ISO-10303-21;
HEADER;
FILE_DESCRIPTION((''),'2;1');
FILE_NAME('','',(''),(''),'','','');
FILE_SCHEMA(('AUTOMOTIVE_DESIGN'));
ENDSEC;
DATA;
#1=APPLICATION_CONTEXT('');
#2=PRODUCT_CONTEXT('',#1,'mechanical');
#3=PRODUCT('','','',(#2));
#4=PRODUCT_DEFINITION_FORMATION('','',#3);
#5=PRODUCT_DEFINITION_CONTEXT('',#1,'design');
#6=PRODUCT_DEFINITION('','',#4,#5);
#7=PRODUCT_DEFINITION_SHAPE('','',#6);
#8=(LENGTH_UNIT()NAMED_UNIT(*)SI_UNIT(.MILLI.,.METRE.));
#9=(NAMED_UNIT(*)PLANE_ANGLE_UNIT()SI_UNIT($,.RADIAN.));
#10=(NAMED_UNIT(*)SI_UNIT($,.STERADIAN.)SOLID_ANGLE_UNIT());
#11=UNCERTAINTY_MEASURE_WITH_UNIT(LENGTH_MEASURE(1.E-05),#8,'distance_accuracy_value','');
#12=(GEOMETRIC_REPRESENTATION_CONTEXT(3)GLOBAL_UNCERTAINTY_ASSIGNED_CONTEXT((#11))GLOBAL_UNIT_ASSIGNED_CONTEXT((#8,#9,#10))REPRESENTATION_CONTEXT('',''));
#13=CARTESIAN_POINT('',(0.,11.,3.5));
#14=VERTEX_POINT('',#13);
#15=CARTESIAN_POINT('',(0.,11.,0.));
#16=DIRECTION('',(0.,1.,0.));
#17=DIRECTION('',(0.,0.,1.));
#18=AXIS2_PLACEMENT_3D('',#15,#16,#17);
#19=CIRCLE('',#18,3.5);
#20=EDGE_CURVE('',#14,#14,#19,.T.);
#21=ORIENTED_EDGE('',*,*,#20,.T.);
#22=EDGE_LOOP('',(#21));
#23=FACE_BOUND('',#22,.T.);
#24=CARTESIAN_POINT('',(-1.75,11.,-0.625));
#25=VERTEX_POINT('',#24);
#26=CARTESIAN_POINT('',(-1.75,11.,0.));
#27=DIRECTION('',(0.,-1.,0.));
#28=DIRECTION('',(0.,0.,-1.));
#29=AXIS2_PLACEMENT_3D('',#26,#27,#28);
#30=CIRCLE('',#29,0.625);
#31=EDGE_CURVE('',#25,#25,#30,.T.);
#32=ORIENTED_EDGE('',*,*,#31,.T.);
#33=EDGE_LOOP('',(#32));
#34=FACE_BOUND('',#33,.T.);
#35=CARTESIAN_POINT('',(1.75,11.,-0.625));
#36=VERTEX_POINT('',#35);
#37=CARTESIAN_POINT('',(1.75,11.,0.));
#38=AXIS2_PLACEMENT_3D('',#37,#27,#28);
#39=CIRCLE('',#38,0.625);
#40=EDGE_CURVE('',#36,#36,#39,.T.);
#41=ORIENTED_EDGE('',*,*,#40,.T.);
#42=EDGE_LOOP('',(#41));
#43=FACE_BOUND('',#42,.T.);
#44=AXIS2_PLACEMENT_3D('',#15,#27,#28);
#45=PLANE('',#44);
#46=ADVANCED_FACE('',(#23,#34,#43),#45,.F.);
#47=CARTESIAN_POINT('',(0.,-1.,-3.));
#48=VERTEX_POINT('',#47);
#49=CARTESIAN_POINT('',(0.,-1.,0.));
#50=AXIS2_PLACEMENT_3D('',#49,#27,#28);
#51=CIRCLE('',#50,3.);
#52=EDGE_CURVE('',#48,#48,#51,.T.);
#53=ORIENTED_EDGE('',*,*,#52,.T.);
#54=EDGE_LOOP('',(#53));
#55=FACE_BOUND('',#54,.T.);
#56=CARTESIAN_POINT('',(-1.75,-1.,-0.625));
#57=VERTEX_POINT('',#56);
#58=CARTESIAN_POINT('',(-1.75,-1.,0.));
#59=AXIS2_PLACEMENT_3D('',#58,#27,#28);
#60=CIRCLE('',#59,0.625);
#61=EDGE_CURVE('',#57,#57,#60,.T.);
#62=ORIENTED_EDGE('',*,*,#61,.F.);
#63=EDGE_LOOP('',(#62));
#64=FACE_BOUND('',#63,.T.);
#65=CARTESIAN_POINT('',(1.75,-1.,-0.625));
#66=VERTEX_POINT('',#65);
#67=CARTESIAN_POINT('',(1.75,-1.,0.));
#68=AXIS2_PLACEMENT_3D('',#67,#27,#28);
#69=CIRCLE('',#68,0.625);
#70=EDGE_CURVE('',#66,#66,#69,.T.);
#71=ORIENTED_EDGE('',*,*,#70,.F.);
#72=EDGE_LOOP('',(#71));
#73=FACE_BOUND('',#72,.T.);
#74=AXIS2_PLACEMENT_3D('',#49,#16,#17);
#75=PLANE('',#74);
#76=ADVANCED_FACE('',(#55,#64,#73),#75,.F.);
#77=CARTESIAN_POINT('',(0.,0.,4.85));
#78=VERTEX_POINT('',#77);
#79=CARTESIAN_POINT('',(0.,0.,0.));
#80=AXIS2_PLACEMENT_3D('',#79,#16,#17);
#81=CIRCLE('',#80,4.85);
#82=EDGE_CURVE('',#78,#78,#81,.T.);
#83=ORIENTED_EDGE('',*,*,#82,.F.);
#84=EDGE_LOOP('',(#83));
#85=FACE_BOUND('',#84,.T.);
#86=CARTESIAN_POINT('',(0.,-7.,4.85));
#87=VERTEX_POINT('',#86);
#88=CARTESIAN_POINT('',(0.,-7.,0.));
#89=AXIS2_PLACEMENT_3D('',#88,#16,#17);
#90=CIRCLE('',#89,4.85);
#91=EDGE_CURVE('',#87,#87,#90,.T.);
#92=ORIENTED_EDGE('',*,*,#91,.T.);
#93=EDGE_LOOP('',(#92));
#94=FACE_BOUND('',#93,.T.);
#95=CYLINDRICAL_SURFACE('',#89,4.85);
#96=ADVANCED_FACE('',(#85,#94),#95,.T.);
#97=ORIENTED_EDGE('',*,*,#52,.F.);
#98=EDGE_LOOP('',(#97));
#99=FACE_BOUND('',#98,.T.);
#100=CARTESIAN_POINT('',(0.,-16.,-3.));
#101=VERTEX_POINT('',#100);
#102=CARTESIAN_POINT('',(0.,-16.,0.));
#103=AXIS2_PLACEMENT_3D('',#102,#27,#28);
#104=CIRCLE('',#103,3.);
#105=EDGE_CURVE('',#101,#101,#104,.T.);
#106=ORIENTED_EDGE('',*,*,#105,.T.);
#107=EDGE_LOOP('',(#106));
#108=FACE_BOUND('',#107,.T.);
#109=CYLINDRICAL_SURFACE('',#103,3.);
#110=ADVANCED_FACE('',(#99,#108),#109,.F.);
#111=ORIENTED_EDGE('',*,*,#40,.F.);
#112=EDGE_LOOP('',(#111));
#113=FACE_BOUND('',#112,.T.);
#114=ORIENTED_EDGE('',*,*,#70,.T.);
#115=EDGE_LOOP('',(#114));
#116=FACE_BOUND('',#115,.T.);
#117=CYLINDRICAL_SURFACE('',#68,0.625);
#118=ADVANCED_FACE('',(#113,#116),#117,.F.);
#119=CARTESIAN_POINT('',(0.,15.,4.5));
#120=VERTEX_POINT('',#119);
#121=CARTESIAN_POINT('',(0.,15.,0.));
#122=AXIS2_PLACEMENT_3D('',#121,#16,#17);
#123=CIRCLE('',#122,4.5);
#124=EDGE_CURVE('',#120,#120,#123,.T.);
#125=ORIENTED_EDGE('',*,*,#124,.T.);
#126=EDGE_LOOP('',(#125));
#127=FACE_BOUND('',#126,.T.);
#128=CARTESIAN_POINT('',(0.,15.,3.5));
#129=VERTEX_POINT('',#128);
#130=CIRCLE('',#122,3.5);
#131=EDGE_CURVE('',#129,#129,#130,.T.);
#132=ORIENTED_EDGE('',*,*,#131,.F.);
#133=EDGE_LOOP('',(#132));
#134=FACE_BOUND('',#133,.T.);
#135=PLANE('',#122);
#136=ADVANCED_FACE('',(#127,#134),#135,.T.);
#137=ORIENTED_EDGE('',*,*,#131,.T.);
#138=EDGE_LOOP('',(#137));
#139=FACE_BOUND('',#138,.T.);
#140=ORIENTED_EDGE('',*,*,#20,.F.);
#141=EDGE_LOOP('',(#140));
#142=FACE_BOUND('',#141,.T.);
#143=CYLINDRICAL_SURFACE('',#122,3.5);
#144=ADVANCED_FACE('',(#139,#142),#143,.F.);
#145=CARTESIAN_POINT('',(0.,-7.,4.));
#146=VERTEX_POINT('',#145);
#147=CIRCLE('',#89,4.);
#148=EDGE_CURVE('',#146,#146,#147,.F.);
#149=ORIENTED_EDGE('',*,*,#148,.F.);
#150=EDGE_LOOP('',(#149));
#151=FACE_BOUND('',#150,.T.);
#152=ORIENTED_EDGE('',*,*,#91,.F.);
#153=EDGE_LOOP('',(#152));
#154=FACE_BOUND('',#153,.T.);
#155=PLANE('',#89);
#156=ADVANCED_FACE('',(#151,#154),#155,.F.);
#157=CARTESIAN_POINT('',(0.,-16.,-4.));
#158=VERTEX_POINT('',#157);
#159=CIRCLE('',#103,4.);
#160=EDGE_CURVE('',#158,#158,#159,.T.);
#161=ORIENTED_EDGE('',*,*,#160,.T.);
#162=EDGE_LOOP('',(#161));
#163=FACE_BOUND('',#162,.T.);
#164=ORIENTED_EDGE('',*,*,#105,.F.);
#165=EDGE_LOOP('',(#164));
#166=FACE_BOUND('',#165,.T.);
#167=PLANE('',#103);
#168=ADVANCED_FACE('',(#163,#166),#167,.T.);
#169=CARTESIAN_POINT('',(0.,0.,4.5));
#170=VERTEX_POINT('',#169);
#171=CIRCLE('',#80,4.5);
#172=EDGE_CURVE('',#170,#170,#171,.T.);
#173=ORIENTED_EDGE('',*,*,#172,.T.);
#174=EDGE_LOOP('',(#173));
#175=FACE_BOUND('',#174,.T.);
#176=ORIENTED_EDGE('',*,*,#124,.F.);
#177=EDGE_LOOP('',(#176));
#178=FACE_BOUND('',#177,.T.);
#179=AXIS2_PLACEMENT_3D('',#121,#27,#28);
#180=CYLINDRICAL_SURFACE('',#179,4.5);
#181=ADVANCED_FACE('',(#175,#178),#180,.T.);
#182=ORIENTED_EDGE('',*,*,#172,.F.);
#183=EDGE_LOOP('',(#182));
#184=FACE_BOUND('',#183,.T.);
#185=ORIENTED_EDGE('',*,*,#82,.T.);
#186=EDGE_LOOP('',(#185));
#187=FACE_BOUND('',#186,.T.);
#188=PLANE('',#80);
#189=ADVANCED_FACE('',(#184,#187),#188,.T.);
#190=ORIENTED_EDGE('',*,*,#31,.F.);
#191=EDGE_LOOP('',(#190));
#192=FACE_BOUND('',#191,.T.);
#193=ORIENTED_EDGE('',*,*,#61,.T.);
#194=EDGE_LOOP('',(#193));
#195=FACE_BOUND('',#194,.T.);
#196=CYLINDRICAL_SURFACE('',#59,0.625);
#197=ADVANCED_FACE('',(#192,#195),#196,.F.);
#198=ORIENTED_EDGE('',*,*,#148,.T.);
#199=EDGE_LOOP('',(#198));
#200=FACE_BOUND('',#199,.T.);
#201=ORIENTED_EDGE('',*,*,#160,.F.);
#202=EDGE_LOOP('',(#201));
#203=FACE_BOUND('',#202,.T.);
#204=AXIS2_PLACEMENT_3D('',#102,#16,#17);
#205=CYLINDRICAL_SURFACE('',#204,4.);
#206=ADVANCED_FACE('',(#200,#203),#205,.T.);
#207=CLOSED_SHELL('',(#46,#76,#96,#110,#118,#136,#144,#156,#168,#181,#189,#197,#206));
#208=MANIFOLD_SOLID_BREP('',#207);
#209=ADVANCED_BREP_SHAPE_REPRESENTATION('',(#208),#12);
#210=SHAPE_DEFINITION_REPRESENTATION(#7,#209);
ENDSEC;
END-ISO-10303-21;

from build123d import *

# Parameters (mm, degrees)
SKETCH1_R                          = 4.5
BOSS_EXTRUDE1_DEPTH                = 15
F_6_0MM_DOWEL_HOLE1_D              = 7
F_6_0MM_DOWEL_HOLE1_DEPTH          = 4
SKETCH5_R                          = 4.85
BOSS_EXTRUDE2_DEPTH                = 7
SKETCH6_R                          = 4
BOSS_EXTRUDE3_DEPTH                = 9
F_6_0MM_DOWEL_HOLE2_D              = 6
F_6_0MM_DOWEL_HOLE2_DEPTH          = 15
TAP_DRILL_FOR_M1_6X0_35_TAP3_D     = 1.25
TAP_DRILL_FOR_M1_6X0_35_TAP3_DEPTH = 41


with BuildPart() as part:
    # Sketch1 → Boss-Extrude1 (new body)
    with BuildSketch(Plane(origin=(0, 0, 0), x_dir=(1, 0, 0), z_dir=(0, 1, 0))):
        with Locations(Location((0, 0, 0), (0, 0, 270))):
            Circle(SKETCH1_R)
    extrude(amount=BOSS_EXTRUDE1_DEPTH)

    # Ø6.0mm Dowel Hole1
    with Locations(Plane(origin=(0, 15, 0), x_dir=(1, 0, 0), z_dir=(0, 1, 0))):
        with Locations((0, 0)):
            Hole(F_6_0MM_DOWEL_HOLE1_D / 2, depth=F_6_0MM_DOWEL_HOLE1_DEPTH)

    # Sketch5 → Boss-Extrude2 (add)
    with BuildSketch(Plane(origin=(0, 0, 0), x_dir=(1, 0, 0), z_dir=(0, 1, 0))):
        with Locations(Location((0, 0, 0), (0, 0, 270))):
            Circle(SKETCH5_R)
    extrude(amount=-BOSS_EXTRUDE2_DEPTH)

    # Sketch6 → Boss-Extrude3 (add)
    with BuildSketch(Plane.XZ.offset(7)):
        with Locations(Location((0, 0, 0), (0, 0, 90))):
            Circle(SKETCH6_R)
    extrude(amount=BOSS_EXTRUDE3_DEPTH)

    # Ø6.0mm Dowel Hole2
    with Locations(Plane(origin=(0, -16, 0), x_dir=(-1, 0, 0), z_dir=(0, -1, 0))):
        with Locations((0, 0)):
            Hole(F_6_0MM_DOWEL_HOLE2_D / 2, depth=F_6_0MM_DOWEL_HOLE2_DEPTH)

    # Tap Drill for M1.6x0.35 Tap3
    with Locations(Plane(origin=(0, -1, 0), x_dir=(-1, 0, 0), z_dir=(0, -1, 0))):
        with Locations((1.75, 0), (-1.75, 0)):
            Hole(TAP_DRILL_FOR_M1_6X0_35_TAP3_D / 2, depth=TAP_DRILL_FOR_M1_6X0_35_TAP3_DEPTH)


solid = part.part
